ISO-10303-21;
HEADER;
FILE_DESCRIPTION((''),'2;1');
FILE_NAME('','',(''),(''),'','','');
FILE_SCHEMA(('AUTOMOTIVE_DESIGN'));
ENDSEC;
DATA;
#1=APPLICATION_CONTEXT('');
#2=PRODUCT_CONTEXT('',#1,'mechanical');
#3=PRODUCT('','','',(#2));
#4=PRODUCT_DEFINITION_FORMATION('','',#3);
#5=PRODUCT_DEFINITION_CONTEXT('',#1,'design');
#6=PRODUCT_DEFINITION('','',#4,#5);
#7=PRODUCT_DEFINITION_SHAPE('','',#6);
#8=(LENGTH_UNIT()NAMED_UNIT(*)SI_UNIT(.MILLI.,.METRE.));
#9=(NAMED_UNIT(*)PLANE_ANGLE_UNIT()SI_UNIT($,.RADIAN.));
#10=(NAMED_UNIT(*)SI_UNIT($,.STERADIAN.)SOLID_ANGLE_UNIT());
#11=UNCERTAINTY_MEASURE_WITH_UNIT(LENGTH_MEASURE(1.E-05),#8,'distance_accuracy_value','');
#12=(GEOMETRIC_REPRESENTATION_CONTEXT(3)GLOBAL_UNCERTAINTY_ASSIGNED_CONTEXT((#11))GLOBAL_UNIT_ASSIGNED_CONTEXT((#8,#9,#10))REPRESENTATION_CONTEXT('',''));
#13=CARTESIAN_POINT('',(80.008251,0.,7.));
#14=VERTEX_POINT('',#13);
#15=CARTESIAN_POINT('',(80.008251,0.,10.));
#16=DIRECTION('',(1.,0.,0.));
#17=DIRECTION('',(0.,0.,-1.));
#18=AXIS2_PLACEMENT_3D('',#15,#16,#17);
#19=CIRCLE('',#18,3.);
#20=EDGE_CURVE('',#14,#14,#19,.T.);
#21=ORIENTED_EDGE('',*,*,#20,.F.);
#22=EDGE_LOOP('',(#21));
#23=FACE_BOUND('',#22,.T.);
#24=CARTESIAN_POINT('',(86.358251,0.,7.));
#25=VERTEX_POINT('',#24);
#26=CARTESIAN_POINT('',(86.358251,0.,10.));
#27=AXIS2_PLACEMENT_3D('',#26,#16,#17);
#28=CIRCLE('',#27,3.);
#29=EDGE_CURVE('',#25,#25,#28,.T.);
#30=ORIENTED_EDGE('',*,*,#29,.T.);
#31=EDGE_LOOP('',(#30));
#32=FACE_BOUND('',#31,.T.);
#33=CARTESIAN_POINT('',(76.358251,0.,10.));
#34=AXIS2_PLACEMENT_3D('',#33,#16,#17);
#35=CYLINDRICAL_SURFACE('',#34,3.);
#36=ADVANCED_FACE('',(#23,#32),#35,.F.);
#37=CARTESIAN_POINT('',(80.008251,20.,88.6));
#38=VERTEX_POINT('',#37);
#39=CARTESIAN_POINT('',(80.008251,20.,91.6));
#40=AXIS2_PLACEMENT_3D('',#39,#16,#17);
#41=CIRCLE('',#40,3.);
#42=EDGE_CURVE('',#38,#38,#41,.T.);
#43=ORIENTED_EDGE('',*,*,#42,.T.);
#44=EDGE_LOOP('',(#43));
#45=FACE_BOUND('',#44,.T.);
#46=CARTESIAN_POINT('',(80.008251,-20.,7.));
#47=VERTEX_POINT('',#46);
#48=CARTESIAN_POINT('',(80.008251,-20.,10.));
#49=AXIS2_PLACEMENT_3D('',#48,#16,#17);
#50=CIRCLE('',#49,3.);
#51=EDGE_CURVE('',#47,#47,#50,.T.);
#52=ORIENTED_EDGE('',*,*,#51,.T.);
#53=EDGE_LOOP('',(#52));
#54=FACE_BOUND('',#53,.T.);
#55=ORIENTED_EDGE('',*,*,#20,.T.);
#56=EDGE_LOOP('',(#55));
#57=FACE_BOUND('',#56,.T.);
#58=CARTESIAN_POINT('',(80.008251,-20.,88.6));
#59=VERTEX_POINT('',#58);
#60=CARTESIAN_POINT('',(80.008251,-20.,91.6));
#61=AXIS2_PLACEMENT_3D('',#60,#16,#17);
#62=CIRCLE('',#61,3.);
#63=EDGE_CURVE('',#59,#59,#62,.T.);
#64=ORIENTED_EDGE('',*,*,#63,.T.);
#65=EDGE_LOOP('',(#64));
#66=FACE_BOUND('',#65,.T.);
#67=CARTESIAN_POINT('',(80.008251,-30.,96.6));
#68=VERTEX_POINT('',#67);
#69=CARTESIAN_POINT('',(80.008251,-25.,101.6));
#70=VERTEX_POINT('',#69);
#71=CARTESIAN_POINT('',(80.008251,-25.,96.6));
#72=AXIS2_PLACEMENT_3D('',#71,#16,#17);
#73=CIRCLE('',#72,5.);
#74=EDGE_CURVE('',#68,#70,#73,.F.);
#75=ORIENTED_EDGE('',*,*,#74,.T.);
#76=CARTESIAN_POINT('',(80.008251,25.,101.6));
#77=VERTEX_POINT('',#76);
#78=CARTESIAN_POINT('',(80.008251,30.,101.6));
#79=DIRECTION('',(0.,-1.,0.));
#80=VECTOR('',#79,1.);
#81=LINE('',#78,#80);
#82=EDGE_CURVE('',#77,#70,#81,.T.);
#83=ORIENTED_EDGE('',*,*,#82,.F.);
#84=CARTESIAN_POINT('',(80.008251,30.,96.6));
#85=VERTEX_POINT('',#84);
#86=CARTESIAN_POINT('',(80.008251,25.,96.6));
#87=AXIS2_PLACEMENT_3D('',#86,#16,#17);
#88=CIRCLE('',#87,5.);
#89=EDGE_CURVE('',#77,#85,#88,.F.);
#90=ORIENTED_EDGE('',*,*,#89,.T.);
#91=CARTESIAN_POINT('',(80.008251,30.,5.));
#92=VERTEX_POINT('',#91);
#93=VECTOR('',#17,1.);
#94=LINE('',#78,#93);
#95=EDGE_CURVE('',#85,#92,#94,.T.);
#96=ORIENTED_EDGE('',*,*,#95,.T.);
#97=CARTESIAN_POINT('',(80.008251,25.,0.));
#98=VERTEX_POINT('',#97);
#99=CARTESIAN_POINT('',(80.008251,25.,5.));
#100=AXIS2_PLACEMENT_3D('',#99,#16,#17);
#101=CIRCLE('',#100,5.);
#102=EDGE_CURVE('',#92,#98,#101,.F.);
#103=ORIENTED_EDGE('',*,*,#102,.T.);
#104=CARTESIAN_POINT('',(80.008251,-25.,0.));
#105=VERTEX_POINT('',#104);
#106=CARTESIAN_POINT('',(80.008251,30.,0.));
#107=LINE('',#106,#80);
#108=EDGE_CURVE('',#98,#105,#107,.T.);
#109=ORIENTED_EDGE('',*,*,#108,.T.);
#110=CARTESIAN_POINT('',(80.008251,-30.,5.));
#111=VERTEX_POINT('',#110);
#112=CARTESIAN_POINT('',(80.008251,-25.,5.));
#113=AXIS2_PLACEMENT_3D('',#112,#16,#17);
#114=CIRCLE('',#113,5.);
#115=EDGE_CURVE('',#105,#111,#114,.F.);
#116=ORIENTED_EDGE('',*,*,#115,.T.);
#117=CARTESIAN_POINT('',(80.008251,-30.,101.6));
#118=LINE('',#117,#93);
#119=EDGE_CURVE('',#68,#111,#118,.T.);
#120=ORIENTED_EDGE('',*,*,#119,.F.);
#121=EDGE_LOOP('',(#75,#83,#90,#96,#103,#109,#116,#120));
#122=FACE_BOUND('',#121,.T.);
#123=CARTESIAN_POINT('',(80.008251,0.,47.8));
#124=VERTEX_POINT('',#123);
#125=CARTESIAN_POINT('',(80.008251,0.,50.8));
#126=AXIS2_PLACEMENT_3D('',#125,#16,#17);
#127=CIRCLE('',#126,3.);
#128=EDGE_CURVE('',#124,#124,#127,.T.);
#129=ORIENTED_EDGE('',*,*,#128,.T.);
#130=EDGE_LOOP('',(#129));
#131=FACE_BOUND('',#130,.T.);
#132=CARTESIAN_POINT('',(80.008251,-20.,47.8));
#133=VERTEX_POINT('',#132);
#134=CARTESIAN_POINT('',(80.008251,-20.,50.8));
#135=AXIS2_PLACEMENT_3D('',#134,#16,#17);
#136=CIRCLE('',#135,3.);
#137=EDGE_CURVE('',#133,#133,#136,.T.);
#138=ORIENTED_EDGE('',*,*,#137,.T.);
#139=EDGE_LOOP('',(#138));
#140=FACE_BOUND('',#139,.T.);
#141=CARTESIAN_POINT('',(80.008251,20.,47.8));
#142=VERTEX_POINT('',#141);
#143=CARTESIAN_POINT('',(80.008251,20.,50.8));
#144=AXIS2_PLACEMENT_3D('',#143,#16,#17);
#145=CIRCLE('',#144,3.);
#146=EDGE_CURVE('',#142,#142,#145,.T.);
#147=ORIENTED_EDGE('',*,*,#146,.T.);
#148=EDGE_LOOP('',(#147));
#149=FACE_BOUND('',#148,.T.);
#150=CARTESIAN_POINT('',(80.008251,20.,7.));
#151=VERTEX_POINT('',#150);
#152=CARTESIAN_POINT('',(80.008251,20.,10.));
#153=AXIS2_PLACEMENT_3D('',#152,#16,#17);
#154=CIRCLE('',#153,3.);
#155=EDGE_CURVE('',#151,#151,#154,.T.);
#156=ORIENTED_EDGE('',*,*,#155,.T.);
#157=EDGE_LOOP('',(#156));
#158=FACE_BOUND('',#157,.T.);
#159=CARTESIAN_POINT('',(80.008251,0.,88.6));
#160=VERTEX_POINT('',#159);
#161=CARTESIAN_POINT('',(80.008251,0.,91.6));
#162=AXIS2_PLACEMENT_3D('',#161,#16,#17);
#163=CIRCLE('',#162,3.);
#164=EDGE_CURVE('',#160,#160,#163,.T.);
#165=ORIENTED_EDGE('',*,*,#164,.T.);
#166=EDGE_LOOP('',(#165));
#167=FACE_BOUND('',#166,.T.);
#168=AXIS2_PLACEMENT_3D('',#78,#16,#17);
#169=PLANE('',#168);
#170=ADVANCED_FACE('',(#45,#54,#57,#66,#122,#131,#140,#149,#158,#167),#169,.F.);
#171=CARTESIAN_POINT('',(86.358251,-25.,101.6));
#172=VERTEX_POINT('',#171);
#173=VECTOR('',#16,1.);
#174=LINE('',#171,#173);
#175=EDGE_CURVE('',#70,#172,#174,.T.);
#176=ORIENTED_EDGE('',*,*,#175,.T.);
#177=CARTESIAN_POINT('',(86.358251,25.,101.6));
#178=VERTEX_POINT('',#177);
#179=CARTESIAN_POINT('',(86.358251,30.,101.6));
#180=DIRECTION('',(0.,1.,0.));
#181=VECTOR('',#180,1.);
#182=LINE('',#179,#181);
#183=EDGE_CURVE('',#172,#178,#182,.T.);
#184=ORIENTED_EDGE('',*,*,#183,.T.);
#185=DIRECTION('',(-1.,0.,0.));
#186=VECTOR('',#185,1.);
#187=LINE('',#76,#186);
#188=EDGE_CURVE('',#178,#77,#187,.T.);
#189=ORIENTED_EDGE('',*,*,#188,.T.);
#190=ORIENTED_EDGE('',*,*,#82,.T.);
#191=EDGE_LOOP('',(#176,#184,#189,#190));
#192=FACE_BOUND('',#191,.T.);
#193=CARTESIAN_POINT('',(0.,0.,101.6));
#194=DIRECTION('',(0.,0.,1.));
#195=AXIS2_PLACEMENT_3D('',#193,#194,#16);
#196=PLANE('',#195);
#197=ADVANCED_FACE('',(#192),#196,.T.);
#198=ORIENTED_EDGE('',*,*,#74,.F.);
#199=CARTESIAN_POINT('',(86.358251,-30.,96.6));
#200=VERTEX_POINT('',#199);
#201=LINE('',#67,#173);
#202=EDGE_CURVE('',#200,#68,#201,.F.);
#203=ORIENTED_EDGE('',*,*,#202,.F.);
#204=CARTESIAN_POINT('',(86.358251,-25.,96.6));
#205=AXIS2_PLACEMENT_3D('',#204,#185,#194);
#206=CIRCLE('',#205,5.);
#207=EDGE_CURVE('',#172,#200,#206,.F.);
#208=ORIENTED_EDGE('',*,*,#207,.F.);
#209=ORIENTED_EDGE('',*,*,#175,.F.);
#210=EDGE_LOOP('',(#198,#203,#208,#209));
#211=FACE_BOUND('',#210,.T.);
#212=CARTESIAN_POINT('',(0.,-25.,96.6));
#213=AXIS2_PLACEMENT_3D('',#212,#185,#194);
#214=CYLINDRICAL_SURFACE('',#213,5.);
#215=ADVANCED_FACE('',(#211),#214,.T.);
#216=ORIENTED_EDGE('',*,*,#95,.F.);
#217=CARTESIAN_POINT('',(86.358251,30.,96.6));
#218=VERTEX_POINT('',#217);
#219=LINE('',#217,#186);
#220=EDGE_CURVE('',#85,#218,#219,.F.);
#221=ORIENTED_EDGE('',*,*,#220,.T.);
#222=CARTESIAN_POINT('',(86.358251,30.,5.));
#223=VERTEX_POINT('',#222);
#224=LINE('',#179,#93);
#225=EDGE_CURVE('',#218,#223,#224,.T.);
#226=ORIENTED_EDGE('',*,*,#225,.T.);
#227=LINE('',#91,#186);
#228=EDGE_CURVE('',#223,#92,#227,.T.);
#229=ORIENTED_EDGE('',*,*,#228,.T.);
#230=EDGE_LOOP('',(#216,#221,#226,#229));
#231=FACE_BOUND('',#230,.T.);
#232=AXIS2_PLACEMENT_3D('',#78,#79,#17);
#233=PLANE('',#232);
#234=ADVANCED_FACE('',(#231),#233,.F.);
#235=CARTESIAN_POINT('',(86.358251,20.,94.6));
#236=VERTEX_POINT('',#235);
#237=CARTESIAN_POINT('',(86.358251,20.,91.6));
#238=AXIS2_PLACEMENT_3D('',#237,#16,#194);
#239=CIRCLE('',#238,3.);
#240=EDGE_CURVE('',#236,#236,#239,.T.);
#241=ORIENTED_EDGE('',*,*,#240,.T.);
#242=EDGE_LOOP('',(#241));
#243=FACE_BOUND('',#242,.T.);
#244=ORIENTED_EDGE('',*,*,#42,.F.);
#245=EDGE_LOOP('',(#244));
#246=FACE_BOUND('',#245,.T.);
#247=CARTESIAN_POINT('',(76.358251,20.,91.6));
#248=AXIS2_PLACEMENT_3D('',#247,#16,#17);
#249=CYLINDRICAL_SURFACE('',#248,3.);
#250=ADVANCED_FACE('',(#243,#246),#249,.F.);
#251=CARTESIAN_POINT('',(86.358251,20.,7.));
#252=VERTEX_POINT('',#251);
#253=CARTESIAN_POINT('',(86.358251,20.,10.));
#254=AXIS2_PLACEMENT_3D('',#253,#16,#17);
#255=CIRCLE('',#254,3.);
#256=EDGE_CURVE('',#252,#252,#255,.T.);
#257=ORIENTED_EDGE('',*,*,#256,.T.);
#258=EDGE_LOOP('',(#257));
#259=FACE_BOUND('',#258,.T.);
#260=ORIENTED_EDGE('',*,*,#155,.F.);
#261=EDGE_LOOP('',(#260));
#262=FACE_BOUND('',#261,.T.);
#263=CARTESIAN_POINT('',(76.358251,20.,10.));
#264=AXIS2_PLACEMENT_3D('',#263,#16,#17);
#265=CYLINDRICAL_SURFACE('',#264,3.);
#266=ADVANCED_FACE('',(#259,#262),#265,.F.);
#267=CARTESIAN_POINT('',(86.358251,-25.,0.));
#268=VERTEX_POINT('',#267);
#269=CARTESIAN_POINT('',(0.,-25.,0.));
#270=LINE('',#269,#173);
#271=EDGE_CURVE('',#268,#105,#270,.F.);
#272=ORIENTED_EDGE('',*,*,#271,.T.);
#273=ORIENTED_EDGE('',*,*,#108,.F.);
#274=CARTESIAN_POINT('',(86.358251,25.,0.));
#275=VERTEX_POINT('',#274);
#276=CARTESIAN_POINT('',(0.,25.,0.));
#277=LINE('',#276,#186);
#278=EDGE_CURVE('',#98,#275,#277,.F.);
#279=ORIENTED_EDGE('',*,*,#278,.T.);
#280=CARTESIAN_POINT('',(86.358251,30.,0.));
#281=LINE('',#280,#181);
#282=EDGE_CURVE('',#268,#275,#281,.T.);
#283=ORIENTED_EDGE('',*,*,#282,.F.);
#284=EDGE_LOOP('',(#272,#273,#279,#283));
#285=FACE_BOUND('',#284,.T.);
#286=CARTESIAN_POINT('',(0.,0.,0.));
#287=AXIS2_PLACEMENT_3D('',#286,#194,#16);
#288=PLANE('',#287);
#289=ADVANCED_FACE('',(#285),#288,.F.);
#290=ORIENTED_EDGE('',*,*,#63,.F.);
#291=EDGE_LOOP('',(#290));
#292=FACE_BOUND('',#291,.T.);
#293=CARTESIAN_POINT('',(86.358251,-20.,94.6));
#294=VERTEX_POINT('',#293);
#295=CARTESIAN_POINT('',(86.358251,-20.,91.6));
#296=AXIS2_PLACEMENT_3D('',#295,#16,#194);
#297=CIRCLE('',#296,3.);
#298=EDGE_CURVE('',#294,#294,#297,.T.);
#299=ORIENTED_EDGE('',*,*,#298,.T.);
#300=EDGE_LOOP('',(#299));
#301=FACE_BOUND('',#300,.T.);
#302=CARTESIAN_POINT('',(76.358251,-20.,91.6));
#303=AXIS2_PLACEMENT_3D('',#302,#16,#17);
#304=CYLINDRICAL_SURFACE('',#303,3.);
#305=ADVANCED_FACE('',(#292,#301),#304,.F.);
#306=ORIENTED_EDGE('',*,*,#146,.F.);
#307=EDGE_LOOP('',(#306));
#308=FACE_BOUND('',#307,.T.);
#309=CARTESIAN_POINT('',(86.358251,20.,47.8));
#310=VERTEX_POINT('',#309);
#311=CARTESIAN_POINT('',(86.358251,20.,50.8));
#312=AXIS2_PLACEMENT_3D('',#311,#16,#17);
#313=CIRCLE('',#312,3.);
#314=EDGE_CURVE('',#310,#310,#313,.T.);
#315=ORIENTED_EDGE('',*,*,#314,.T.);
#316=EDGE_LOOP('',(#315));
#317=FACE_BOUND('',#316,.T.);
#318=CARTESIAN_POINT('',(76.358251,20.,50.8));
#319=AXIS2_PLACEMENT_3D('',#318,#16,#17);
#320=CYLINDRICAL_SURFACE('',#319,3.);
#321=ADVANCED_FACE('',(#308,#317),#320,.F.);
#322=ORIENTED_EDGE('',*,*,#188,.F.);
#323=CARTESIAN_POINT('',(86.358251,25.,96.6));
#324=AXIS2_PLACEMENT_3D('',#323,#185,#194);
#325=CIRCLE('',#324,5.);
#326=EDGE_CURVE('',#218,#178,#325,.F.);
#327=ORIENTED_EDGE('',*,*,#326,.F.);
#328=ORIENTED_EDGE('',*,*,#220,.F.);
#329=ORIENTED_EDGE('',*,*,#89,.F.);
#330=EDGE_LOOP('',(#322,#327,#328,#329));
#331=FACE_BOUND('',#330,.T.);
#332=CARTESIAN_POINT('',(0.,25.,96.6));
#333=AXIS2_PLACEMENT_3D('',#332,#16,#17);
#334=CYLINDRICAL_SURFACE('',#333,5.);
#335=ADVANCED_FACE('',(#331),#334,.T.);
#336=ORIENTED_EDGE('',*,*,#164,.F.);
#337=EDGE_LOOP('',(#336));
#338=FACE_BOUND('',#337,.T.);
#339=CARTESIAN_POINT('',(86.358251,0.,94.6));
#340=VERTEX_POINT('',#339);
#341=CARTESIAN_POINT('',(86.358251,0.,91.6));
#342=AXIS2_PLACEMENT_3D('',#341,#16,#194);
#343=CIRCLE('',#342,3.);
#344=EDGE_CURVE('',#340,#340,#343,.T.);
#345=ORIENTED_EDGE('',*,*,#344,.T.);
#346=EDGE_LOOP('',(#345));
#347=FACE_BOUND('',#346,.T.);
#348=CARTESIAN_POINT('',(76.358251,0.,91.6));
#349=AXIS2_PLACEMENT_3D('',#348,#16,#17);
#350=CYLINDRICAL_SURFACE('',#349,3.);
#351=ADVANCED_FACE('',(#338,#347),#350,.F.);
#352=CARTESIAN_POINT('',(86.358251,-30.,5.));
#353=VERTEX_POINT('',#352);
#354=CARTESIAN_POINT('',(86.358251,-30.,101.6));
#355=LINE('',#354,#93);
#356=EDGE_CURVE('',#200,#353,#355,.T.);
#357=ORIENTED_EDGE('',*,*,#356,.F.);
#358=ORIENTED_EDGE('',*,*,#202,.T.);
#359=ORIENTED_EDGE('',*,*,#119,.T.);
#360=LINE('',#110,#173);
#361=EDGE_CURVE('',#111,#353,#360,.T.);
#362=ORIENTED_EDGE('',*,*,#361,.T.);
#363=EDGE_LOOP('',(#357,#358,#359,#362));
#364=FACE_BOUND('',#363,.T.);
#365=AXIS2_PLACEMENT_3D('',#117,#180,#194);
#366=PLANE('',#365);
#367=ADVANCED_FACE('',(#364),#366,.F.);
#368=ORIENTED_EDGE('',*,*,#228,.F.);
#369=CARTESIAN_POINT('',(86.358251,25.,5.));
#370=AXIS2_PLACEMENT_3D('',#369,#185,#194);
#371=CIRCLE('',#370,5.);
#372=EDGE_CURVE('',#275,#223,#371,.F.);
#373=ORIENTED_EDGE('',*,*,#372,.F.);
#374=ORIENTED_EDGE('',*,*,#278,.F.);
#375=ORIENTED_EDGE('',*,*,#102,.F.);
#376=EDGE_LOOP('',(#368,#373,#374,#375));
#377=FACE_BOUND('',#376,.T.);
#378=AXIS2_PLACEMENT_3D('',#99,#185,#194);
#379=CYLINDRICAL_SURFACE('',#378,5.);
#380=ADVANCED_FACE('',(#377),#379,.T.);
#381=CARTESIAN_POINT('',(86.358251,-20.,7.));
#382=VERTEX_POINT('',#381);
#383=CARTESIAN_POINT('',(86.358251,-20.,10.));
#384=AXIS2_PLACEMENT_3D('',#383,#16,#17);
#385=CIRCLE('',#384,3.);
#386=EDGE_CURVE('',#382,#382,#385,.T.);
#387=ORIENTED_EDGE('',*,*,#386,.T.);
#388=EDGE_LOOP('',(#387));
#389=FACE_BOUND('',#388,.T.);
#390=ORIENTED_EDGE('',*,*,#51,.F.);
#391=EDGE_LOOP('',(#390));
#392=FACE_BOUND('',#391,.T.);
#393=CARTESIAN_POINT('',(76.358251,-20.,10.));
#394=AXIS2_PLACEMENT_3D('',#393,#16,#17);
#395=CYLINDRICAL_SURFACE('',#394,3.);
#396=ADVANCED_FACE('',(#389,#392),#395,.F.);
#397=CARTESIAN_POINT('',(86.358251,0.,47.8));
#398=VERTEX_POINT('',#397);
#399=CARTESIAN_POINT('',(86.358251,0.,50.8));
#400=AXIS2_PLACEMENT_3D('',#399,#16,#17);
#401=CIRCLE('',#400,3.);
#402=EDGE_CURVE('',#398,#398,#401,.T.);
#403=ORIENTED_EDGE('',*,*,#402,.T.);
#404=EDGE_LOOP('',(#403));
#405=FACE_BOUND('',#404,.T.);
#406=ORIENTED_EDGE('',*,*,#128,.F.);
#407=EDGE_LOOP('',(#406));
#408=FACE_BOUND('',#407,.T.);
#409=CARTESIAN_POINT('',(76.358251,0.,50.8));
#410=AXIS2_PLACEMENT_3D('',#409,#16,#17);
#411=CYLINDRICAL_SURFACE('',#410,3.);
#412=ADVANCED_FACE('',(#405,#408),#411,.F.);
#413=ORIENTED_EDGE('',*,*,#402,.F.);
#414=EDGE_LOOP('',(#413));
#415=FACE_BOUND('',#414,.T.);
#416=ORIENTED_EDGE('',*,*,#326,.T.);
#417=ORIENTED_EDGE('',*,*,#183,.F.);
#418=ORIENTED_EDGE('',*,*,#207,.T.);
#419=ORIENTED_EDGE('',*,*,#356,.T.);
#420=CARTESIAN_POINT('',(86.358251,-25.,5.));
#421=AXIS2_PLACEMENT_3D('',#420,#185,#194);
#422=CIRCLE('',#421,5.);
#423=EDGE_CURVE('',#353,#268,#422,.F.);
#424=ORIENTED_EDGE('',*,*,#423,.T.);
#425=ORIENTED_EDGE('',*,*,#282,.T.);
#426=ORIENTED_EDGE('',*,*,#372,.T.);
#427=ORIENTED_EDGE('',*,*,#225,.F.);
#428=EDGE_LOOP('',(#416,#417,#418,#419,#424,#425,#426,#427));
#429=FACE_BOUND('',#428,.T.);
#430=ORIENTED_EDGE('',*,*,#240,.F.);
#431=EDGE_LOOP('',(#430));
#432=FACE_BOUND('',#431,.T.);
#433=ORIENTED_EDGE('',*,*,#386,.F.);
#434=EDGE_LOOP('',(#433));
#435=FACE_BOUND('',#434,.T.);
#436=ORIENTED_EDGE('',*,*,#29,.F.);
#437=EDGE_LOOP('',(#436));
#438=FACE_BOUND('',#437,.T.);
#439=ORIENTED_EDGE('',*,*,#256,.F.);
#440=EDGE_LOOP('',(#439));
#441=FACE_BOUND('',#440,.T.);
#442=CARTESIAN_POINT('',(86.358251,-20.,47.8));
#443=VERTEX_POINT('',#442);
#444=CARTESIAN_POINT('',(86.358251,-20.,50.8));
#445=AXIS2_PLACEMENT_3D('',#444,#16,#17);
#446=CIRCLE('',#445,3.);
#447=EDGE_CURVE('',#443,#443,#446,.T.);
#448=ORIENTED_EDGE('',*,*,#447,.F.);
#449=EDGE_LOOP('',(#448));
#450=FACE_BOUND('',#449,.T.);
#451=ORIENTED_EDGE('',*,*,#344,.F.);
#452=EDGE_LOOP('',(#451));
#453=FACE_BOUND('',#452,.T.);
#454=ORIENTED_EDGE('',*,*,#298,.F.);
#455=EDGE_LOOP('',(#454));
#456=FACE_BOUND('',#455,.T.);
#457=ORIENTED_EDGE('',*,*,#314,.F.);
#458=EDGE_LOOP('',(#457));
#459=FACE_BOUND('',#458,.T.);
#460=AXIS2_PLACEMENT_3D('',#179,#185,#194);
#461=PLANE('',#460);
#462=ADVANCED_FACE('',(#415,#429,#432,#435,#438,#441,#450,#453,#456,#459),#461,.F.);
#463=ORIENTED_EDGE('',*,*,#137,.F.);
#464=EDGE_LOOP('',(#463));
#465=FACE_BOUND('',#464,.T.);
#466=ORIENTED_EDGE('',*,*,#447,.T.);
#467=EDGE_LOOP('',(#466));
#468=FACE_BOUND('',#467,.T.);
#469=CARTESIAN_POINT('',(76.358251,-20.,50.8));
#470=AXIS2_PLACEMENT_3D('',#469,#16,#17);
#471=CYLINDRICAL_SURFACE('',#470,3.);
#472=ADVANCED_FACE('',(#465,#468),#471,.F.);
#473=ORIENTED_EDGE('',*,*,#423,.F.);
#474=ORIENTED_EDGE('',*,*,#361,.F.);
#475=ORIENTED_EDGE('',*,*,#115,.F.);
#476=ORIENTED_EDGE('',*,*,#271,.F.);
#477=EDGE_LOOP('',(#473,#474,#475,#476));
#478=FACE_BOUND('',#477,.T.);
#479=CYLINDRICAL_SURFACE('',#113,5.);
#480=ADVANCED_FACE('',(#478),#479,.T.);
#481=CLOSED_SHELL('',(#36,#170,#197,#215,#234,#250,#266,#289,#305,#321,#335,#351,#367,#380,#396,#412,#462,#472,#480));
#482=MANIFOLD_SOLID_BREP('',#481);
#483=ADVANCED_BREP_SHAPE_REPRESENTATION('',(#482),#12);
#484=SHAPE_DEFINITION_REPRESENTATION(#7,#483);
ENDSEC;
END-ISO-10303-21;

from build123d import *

# Parameters (mm, degrees)
SKETCH1_W           = 6.35
SKETCH1_H           = 60
BOSS_EXTRUDE1_DEPTH = 101.6
SKETCH2_R           = 3
CUT_EXTRUDE1_DEPTH  = 10
FILLET1_R           = 5


with BuildPart() as part:
    # Sketch1 → Boss-Extrude1 (new body)
    with BuildSketch(Plane.XY):
        with Locations((83.183251365, 0)):
            Rectangle(SKETCH1_W, SKETCH1_H)
    extrude(amount=BOSS_EXTRUDE1_DEPTH)

    # Sketch2 → Cut-Extrude1 (cut)
    with BuildSketch(Plane(origin=(86.358251365, 0, 0), x_dir=(0, 0, -1), z_dir=(1, 0, 0))):
        with Locations((-10, -20)):
            Circle(SKETCH2_R)
        with Locations((-10, 20)):
            Circle(SKETCH2_R)
        with Locations((-10, 0)):
            Circle(SKETCH2_R)
        with Locations((-50.8, 20)):
            Circle(SKETCH2_R)
        with Locations((-50.8, 0)):
            Circle(SKETCH2_R)
        with Locations((-50.8, -20)):
            Circle(SKETCH2_R)
        with Locations((-91.6, -20)):
            Circle(SKETCH2_R)
        with Locations((-91.6, 0)):
            Circle(SKETCH2_R)
        with Locations((-91.6, 20)):
            Circle(SKETCH2_R)
    extrude(amount=-CUT_EXTRUDE1_DEPTH, mode=Mode.SUBTRACT)

    # Fillet1
    fillet1_edges = [part.edges().sort_by_distance(p)[0] for p in [
        (83.183251365, 30, 101.6),
        (83.183251365, 30, 0),
        (83.183251365, -30, 0),
        (83.183251365, -30, 101.6),
    ]]
    fillet(fillet1_edges, radius=FILLET1_R)


solid = part.part
